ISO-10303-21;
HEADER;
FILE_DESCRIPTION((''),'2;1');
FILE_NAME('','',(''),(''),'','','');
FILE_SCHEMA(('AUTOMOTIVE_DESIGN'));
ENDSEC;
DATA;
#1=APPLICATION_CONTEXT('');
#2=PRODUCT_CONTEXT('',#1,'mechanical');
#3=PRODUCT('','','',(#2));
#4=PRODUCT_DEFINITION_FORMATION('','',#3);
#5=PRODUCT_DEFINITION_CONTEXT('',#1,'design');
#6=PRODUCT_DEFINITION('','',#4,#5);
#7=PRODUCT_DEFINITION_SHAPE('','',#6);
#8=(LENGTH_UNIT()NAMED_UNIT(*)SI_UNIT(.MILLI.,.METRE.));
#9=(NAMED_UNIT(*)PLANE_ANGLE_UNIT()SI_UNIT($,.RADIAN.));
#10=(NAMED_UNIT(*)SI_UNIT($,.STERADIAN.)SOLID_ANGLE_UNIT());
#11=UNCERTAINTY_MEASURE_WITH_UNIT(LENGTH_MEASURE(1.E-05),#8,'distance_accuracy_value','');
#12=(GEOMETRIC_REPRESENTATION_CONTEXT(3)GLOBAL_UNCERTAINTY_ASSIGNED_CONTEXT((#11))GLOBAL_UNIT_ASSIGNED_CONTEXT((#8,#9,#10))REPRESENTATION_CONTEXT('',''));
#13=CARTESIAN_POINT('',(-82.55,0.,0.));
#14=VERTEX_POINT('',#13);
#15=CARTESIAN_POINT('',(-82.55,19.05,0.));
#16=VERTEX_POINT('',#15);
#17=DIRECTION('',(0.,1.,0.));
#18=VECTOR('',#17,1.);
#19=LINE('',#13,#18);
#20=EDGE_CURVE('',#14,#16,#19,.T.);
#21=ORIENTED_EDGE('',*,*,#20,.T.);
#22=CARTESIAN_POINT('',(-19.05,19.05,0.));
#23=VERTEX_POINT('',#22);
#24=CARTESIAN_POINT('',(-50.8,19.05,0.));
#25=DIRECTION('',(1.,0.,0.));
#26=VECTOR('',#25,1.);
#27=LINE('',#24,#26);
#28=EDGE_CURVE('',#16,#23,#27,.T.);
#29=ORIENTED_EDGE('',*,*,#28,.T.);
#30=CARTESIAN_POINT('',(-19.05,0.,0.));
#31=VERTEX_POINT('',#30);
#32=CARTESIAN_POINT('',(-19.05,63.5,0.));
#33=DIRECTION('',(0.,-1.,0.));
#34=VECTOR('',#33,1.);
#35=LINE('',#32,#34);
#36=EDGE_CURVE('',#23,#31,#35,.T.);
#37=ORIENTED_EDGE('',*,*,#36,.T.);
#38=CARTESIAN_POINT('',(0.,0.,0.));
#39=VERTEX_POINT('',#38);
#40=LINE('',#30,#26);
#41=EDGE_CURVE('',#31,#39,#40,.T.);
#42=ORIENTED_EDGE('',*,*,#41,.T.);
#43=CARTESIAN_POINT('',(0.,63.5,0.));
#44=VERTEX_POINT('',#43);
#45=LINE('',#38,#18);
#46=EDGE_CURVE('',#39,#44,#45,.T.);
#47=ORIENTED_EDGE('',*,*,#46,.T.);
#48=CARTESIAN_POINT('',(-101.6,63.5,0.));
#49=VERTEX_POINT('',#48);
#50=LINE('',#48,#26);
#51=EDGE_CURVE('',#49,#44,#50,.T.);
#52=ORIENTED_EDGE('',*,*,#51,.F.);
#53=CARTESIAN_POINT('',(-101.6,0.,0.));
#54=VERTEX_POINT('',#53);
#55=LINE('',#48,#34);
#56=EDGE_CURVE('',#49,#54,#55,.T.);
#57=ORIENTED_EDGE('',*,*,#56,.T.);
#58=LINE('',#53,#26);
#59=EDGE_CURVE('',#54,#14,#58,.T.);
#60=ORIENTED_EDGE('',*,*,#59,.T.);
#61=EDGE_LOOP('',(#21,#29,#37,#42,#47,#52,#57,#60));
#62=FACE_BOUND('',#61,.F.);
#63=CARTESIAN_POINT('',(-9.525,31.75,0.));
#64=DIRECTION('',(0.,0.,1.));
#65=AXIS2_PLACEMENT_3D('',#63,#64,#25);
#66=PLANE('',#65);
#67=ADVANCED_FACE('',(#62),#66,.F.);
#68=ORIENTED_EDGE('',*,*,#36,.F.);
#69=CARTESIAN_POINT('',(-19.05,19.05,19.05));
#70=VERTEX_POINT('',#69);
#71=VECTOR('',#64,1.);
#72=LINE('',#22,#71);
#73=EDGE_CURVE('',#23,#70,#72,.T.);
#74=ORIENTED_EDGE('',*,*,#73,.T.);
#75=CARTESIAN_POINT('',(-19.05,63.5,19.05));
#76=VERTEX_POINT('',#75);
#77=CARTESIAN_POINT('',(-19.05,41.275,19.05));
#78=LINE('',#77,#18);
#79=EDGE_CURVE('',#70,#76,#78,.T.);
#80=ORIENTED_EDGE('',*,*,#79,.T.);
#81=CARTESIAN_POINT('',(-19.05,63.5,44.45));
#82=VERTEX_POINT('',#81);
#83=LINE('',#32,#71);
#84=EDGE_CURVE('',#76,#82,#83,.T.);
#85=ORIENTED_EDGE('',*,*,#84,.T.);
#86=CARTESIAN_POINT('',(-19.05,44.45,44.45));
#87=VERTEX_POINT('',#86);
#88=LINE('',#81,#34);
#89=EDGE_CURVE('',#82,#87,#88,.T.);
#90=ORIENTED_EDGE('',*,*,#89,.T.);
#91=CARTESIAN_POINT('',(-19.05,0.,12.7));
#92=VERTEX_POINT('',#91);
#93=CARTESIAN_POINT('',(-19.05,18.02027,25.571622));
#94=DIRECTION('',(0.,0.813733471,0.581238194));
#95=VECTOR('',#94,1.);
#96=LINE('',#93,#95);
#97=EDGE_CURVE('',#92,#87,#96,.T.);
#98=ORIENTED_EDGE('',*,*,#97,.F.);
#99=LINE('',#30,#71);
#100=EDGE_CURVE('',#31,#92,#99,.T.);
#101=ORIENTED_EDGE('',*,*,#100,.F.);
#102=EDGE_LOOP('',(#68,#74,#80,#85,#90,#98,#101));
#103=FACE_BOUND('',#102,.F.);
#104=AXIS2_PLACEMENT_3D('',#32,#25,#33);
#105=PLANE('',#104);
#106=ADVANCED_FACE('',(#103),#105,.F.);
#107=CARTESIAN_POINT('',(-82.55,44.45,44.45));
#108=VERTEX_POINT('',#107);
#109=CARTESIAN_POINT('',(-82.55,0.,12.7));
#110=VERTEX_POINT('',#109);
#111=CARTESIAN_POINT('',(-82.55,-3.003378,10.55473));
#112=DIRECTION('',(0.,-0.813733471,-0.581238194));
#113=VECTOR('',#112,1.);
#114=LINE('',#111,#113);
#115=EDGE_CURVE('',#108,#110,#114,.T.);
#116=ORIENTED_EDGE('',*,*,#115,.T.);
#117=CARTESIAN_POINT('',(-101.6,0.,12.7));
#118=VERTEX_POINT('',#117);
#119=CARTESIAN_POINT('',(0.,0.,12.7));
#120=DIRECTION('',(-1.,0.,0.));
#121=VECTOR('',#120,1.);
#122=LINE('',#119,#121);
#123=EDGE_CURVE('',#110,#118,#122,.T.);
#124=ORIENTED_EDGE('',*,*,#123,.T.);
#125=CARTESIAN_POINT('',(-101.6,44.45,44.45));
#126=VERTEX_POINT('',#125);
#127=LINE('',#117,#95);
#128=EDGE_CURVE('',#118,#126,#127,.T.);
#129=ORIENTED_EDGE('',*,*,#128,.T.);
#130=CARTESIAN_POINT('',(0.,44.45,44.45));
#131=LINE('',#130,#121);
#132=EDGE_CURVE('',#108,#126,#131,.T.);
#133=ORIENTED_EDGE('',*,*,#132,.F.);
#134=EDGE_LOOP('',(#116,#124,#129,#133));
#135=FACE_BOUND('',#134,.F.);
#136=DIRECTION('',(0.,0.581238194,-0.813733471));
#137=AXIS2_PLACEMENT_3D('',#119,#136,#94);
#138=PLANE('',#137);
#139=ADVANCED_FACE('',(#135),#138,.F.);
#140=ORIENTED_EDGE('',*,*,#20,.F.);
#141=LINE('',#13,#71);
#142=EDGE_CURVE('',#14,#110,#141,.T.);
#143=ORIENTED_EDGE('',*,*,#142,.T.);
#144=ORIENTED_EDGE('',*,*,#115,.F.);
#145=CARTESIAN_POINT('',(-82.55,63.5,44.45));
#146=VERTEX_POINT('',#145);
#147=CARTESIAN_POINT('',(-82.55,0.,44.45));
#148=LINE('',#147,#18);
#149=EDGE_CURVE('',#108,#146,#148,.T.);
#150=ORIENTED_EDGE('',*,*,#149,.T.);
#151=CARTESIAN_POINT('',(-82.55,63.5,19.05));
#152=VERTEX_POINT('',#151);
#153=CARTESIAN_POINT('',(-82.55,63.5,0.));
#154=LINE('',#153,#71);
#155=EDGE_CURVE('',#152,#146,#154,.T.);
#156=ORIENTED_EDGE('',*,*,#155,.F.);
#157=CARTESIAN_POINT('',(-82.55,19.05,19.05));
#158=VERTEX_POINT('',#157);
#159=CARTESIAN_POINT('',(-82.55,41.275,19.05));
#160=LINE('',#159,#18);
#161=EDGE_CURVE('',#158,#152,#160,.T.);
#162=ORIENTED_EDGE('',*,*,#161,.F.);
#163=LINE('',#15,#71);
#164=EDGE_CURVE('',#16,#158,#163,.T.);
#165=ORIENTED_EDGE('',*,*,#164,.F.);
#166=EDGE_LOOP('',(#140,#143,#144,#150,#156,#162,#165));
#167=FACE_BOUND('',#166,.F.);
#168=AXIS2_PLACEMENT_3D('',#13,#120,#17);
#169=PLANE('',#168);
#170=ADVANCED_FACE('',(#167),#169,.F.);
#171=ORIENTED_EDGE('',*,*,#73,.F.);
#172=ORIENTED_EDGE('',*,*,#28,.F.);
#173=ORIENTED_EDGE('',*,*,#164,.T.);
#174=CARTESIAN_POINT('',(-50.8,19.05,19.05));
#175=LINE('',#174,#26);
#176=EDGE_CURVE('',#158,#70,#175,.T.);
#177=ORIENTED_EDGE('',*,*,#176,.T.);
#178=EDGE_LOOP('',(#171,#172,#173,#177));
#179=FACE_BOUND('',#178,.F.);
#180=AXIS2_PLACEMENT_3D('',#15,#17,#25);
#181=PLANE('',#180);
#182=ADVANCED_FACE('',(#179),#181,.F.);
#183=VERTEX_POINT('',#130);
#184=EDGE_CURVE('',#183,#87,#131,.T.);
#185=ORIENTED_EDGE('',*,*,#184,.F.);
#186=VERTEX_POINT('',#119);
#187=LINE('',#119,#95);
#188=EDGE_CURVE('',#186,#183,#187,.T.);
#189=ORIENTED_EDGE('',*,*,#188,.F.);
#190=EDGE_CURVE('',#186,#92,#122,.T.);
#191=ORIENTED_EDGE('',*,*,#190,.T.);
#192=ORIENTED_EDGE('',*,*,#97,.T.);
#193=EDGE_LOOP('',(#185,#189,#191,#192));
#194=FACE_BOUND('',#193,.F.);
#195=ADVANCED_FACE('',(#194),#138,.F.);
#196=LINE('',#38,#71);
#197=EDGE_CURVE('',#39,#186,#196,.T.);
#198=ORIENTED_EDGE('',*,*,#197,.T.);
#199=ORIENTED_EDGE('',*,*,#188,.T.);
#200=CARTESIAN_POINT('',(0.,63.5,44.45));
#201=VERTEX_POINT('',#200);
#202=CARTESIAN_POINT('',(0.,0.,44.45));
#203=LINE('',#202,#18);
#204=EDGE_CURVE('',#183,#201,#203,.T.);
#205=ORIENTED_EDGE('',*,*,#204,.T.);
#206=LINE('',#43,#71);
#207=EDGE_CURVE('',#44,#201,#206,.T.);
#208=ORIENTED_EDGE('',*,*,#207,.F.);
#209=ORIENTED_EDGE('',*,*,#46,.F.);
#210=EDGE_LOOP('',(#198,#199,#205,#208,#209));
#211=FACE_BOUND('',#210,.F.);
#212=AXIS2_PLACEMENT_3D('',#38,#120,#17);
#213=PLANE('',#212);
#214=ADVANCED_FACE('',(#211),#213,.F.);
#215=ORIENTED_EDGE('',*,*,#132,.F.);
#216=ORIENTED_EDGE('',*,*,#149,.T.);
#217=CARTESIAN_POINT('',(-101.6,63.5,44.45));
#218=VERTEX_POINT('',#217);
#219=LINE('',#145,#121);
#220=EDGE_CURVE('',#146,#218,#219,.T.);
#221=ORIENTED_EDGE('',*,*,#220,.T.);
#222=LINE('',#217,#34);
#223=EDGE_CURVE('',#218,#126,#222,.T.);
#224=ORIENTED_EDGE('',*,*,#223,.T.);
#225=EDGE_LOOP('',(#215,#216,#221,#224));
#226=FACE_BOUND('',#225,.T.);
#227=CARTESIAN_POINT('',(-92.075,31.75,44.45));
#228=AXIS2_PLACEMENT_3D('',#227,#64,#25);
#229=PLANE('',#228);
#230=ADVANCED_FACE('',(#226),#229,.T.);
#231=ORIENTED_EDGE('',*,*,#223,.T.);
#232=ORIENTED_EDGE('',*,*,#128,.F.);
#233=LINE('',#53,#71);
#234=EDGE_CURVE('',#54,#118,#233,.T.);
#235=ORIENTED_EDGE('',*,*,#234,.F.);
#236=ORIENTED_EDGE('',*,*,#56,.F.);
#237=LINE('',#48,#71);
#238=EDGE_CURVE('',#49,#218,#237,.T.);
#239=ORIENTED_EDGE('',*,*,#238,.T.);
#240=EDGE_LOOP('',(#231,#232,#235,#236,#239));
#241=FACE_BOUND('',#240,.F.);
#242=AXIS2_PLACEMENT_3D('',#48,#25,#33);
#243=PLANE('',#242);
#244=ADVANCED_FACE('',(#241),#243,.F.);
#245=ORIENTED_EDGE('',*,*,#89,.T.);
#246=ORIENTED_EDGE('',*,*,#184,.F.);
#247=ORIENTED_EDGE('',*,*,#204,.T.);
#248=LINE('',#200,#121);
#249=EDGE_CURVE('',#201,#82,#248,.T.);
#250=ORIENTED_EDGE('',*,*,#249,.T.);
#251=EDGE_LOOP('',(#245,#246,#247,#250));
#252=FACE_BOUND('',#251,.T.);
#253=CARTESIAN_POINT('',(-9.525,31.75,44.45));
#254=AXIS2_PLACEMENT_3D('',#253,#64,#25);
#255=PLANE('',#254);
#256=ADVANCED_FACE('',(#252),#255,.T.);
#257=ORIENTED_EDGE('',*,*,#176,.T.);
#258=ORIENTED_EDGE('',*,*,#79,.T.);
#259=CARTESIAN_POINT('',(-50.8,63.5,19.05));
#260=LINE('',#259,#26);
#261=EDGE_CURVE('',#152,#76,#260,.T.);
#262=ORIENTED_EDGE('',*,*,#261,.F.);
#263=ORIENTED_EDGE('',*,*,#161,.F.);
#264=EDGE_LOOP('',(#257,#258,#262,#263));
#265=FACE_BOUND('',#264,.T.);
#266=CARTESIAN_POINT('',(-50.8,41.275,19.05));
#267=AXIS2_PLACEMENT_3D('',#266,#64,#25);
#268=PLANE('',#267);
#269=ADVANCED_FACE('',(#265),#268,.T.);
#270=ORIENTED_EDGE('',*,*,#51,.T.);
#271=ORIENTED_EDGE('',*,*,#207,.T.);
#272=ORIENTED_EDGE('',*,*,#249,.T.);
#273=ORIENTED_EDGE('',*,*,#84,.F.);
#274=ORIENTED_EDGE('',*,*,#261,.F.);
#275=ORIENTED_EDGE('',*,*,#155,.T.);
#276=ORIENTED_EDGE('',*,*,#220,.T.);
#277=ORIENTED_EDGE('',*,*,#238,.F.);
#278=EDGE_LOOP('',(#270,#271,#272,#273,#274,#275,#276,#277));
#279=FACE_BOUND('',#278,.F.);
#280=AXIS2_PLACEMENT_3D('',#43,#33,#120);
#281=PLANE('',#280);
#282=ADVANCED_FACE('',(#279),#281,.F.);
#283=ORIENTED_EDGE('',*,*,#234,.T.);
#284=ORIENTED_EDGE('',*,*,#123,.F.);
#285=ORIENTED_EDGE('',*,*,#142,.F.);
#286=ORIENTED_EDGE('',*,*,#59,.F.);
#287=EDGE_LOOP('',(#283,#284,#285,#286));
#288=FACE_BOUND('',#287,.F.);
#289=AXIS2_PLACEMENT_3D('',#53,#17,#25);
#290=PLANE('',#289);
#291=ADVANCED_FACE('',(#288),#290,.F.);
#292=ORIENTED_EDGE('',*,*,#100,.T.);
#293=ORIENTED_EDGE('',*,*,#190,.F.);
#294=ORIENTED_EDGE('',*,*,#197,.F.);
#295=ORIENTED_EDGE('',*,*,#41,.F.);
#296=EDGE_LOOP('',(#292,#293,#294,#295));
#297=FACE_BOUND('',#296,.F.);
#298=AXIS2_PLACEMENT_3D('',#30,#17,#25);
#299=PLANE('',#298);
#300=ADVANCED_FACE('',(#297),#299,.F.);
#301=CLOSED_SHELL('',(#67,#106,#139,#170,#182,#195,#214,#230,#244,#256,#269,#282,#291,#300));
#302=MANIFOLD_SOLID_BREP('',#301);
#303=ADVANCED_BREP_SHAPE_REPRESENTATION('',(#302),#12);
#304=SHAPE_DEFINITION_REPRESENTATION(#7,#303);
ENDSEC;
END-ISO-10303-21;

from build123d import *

# Parameters (mm, degrees)
F0_W     = 63.5
F0_H     = 44.45
F1_DEPTH = 19.05
F2_DEPTH = 44.45
F4_DEPTH = 101.6


with BuildPart() as f1:
    # F0 (on Top) → F1 (new body)
    with BuildSketch(Plane.XY):
        with Locations((-50.8, 41.275)):
            Rectangle(F0_W, F0_H)
    extrude(amount=F1_DEPTH)

    # F0 (on Top) → F2 (join)
    with BuildSketch(Plane.XY):
        Polygon((-19.05, 0), (0, 0), (0, 63.5), (-19.05, 63.5), (-19.05, 19.05), align=None)
        Polygon((-82.55, 19.05), (-82.55, 63.5), (-101.6, 63.5), (-101.6, 0), (-82.55, 0), align=None)
    extrude(amount=F2_DEPTH)

    # F3 (on face) → F4 (cut)
    with BuildSketch(Plane.YZ):
        Polygon((0, 12.7), (44.45, 44.45), (0, 44.45), align=None)
    extrude(amount=-F4_DEPTH, mode=Mode.SUBTRACT)


solid = f1.part
